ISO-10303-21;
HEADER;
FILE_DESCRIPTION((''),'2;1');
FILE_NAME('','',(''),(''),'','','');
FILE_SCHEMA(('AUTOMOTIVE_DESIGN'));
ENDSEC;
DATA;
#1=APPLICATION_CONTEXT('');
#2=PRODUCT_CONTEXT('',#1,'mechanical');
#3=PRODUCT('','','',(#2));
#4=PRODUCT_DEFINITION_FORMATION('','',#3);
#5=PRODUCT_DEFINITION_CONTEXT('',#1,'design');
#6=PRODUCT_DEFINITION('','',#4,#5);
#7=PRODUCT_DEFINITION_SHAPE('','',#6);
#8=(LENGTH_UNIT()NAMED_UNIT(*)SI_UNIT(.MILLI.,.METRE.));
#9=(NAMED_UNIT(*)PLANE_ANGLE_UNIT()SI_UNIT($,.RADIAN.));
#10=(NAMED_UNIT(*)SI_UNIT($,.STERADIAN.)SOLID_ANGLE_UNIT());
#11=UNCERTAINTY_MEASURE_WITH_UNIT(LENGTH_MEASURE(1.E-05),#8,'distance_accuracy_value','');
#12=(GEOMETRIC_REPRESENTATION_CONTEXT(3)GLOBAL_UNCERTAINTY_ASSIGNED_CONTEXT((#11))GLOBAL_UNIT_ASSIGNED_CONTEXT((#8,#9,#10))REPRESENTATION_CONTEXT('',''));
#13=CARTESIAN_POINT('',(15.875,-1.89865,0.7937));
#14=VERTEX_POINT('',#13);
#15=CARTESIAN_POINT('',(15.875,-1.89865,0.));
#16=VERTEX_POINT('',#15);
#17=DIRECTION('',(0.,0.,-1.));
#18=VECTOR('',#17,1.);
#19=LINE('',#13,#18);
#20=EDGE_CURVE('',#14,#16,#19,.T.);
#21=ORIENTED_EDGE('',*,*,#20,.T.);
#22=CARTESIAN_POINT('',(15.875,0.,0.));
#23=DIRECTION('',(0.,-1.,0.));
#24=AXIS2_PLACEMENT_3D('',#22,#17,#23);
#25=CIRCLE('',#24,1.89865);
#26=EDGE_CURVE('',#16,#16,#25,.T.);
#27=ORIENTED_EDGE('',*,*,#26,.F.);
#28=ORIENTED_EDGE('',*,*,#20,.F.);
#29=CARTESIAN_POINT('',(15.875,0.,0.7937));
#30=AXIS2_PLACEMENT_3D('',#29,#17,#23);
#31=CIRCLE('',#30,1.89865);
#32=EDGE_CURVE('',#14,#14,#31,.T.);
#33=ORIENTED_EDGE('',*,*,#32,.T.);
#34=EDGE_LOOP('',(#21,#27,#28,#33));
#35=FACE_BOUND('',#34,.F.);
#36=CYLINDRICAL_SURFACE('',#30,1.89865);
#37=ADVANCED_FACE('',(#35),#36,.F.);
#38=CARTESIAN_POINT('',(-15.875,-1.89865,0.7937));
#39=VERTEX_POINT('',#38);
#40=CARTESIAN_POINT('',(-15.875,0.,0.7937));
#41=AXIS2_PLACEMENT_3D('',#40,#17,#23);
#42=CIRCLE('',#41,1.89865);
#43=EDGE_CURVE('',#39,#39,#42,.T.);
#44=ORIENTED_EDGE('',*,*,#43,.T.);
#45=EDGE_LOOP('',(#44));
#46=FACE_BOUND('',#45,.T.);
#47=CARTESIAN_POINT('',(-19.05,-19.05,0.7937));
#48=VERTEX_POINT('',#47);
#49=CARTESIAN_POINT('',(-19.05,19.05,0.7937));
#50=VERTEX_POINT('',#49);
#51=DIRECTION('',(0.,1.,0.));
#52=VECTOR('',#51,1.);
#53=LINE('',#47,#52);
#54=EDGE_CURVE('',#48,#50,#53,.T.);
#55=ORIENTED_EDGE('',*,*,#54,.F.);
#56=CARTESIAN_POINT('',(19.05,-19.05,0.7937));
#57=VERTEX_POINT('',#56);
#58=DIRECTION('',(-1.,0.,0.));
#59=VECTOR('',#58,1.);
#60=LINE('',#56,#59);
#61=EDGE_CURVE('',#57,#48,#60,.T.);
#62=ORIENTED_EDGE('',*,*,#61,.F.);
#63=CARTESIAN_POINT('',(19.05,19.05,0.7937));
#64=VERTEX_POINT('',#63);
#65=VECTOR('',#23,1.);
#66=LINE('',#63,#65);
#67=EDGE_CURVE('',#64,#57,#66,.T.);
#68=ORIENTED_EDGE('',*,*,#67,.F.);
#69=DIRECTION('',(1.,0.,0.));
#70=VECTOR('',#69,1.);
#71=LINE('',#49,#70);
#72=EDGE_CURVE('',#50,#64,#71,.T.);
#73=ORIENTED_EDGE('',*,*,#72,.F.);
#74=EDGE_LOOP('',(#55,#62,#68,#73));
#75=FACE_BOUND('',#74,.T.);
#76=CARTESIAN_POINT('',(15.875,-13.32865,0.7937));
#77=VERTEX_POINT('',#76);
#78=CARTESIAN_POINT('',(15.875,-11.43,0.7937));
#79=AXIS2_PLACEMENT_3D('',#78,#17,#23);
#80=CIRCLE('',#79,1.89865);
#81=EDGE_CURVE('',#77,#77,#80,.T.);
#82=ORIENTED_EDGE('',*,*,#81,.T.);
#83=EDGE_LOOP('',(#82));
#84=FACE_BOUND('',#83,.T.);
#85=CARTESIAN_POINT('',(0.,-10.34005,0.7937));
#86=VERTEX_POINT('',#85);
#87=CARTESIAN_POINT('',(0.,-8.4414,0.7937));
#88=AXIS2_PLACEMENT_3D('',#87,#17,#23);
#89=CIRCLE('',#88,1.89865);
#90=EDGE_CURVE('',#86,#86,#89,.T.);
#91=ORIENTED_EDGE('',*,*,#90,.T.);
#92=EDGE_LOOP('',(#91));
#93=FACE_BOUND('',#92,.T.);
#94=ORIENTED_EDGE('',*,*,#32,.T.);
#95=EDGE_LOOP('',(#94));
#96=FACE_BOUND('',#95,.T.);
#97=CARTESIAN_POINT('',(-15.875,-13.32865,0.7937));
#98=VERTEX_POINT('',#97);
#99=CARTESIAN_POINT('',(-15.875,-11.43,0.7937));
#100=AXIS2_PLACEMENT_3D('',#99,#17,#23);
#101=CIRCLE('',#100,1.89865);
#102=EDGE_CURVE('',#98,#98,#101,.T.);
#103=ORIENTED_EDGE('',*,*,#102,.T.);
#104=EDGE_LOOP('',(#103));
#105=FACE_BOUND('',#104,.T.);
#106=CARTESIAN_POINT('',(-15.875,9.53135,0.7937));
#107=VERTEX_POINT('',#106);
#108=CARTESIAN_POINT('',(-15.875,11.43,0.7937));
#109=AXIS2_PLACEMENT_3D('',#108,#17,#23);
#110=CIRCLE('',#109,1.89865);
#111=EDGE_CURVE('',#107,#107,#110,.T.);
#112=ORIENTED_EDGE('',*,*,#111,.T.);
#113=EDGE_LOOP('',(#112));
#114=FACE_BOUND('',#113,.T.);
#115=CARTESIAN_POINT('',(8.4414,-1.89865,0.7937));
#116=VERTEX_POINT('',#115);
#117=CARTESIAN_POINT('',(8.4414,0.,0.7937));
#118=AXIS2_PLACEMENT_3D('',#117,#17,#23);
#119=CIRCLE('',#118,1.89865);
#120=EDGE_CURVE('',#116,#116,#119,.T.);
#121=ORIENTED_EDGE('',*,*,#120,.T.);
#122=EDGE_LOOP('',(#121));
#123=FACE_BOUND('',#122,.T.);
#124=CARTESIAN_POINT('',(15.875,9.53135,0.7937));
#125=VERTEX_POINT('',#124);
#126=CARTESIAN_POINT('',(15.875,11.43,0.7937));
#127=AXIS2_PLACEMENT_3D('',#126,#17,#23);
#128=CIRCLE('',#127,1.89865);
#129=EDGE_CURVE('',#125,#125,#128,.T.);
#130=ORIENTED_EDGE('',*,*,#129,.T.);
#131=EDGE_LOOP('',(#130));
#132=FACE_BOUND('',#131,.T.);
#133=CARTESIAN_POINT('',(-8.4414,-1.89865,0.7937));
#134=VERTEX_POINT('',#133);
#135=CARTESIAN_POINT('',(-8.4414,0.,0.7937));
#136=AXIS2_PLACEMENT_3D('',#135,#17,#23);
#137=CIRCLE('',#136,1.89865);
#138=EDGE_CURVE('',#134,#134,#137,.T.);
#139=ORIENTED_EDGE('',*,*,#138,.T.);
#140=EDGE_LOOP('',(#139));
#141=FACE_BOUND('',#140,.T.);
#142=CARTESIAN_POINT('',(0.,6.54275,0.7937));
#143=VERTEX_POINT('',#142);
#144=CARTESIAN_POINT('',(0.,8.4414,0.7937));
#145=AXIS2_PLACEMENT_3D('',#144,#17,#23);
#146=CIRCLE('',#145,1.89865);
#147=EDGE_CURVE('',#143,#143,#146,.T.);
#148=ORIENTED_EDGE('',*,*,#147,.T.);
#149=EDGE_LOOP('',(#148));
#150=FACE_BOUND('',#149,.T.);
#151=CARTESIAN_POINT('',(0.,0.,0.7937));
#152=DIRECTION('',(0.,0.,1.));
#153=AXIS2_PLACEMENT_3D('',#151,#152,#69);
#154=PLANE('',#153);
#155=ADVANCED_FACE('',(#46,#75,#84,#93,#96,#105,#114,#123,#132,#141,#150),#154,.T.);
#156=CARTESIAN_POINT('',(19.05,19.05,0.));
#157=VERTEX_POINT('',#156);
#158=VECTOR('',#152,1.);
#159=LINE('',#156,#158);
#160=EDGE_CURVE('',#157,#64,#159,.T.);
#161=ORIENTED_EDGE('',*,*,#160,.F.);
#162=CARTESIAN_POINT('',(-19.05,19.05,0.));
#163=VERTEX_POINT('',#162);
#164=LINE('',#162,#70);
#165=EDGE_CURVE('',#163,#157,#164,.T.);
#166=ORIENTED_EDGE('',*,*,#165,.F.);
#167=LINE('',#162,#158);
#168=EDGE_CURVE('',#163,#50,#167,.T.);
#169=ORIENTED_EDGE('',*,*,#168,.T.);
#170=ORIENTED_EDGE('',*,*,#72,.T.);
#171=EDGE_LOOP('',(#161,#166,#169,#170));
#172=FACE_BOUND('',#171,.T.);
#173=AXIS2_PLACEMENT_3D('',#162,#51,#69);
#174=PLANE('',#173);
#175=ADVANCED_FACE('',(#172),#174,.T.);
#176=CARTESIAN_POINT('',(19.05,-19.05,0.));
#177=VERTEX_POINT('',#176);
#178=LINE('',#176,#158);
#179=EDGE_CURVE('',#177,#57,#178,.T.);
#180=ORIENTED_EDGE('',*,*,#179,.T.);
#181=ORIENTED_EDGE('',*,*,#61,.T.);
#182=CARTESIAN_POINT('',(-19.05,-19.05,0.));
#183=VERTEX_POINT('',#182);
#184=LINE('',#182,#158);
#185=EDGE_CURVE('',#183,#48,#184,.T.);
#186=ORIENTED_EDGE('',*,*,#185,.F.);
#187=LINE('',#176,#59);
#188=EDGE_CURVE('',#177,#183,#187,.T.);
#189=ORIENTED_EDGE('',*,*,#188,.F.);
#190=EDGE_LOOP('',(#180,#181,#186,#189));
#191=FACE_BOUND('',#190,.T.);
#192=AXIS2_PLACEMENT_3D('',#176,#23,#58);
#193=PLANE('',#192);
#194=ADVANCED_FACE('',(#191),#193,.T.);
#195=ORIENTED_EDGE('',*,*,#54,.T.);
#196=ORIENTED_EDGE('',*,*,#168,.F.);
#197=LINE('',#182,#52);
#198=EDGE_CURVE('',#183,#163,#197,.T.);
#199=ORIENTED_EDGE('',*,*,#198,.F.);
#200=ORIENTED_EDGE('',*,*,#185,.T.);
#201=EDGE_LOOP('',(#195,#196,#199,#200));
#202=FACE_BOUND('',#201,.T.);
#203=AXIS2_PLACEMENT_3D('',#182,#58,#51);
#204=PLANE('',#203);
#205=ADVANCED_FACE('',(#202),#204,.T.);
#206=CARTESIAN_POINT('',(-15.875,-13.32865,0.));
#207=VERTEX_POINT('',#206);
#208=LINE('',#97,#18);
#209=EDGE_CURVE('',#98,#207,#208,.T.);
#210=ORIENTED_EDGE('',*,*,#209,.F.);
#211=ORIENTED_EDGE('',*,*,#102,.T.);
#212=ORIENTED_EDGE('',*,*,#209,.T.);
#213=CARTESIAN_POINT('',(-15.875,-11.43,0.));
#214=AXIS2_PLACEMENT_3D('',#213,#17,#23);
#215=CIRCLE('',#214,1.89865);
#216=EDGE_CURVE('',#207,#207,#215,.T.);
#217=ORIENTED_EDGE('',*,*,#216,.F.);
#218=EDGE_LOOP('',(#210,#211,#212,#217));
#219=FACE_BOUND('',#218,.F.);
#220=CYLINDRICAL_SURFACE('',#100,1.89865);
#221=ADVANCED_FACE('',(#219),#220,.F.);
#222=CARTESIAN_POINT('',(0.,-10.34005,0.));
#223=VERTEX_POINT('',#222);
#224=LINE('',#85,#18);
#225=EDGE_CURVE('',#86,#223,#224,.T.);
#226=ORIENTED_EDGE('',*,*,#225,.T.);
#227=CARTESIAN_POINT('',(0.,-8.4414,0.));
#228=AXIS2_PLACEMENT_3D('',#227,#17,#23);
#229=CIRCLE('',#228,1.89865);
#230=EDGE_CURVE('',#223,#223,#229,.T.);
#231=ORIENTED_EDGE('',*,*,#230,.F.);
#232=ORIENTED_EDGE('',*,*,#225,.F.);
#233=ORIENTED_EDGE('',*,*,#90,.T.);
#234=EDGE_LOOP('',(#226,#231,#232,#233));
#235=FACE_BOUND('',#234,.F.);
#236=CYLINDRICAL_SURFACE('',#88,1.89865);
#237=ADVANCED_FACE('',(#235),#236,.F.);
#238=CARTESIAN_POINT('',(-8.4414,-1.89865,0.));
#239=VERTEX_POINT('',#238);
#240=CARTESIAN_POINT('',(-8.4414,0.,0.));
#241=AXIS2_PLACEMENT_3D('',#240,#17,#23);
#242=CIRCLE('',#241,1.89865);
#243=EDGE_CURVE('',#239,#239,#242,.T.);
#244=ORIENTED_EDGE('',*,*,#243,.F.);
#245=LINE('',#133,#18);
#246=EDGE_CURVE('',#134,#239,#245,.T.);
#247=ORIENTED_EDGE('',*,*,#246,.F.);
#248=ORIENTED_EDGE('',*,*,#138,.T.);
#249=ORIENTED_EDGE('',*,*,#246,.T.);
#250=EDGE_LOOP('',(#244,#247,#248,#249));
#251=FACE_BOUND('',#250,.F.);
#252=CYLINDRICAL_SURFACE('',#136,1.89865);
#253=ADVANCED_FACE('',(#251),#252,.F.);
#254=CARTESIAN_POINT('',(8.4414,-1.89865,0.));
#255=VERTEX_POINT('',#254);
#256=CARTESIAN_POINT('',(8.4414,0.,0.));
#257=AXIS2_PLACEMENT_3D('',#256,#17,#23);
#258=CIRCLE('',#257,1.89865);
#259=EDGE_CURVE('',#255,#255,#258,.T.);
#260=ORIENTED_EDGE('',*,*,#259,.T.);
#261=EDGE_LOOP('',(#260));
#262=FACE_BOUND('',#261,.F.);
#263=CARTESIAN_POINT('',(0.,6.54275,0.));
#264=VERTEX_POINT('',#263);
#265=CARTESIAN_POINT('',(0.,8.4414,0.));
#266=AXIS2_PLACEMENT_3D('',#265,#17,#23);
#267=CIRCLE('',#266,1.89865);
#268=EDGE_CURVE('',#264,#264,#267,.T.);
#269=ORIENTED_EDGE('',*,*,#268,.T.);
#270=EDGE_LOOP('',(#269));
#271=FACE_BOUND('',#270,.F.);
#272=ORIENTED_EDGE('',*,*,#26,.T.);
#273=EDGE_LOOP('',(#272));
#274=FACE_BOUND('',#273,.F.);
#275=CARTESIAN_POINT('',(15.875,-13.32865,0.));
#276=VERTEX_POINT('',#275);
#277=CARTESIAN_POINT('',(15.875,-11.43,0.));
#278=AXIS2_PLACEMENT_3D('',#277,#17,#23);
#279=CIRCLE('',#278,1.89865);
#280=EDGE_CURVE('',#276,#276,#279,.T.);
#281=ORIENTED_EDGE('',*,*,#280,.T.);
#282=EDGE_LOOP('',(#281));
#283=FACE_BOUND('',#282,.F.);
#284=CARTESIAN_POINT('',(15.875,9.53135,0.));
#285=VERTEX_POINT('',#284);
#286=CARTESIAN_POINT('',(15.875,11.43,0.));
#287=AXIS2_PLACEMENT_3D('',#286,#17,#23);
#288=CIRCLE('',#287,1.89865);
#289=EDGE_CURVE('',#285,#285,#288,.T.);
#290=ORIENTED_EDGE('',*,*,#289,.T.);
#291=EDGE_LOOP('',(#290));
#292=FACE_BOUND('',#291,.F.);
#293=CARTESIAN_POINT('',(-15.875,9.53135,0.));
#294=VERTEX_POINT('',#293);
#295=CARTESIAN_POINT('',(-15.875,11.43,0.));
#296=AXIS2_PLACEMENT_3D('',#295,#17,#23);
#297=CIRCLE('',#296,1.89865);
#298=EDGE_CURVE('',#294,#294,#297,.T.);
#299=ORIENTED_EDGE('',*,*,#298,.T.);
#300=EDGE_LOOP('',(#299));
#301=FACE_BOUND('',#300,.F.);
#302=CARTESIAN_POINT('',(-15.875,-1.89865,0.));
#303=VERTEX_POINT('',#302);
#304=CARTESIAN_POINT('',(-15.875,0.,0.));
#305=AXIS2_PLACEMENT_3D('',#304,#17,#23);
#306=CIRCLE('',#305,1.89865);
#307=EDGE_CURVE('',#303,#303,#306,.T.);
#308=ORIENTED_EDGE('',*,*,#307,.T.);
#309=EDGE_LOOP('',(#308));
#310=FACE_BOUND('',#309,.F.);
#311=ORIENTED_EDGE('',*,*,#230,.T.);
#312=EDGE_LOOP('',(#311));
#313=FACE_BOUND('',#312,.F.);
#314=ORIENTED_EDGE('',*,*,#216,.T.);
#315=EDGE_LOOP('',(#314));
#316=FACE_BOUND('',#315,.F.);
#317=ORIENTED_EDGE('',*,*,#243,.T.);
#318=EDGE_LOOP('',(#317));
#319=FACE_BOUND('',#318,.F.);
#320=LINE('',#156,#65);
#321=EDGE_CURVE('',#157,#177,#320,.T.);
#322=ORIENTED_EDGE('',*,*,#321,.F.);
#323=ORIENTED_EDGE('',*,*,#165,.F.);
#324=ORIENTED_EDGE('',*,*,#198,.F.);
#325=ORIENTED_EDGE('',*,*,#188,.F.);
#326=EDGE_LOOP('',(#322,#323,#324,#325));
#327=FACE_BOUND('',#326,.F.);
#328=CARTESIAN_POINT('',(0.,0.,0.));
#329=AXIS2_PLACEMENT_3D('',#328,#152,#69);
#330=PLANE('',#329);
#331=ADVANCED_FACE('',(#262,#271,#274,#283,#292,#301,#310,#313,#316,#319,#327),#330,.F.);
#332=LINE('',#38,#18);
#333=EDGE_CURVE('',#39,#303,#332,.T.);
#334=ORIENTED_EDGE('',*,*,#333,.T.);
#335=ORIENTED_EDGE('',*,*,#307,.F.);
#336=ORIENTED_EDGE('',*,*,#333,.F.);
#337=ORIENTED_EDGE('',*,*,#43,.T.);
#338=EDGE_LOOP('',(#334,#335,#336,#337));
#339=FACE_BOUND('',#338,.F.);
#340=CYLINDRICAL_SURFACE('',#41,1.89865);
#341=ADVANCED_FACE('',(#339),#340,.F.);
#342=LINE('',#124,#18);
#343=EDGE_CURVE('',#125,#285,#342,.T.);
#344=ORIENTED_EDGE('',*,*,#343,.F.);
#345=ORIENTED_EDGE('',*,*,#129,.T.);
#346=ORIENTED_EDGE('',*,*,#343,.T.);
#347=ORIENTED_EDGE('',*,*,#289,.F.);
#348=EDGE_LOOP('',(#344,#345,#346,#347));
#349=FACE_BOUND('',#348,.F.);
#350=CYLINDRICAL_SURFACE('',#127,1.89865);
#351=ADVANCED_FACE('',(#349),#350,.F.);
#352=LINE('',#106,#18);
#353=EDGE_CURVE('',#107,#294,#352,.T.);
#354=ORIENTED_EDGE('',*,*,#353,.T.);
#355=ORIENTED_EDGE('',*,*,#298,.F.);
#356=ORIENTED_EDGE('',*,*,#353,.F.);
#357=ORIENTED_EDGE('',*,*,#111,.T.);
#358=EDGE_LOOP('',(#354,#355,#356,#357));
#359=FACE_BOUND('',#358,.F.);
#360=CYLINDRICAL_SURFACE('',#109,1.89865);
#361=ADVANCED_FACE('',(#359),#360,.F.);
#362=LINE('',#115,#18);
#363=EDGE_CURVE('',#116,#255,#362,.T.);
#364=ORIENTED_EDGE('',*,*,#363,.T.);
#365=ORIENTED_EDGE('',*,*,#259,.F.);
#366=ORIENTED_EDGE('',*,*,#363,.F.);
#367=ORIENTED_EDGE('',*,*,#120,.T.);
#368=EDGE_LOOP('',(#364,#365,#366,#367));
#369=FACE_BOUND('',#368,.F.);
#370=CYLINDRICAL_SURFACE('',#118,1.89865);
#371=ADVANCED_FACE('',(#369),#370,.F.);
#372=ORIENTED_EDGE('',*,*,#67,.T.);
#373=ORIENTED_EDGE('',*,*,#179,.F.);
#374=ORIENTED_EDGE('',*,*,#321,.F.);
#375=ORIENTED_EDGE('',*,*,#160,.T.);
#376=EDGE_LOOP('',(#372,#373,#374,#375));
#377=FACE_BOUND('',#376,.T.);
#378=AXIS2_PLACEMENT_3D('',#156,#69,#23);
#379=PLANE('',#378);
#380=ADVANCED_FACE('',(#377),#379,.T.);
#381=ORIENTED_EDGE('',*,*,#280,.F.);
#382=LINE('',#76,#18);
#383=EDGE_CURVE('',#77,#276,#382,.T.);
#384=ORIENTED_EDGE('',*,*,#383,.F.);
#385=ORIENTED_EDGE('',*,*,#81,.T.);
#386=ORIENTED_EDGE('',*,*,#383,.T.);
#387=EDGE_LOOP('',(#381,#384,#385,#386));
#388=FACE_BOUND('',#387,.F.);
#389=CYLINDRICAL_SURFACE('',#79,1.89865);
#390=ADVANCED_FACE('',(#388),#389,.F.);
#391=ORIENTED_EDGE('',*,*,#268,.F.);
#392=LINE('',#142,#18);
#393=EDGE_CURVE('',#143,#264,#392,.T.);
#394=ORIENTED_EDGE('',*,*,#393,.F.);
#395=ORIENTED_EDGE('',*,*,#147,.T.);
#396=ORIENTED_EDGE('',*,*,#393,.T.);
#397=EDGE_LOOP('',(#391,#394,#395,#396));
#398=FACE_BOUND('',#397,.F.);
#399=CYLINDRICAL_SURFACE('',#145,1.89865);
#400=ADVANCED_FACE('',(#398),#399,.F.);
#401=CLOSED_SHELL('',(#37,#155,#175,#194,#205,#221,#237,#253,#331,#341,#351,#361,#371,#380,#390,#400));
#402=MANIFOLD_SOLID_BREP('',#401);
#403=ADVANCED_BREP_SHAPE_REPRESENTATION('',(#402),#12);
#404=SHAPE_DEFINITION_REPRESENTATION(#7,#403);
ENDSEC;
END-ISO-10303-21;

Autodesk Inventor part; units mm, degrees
ref_plane "YZ Plane" through (0, 0, 0) normal (1, 0, 0) x (0, 1, 0)
ref_plane "XZ Plane" through (0, 0, 0) normal (0, 1, 0) x (-1, 0, 0)
ref_plane "XY Plane" through (0, 0, 0) normal (0, 0, 1) x (1, 0, 0)
sketch "adapter-hole-geometry" plane through (0, 0, 0) normal (0, 0, 1) x (1, 0, 0)
  line L0 (15.875, -11.43) -> (-15.875, -11.43) construction
  line L1 (-15.875, -11.43) -> (-15.875, 11.43) construction
  line L2 (-15.875, 11.43) -> (15.875, 11.43) construction
  line L3 (15.875, 11.43) -> (15.875, -11.43) construction
  line L4 (15.875, -11.43) -> (-15.875, 11.43) construction
  line L5 (-15.875, -11.43) -> (15.875, 11.43) construction
  line L6 (11.43, -15.875) -> (-11.43, -15.875) construction
  line L7 (-11.43, -15.875) -> (-11.43, 15.875) construction
  line L8 (-11.43, 15.875) -> (11.43, 15.875) construction
  line L9 (11.43, 15.875) -> (11.43, -15.875) construction
  line L10 (11.43, -15.875) -> (-11.43, 15.875) construction
  line L11 (-11.43, -15.875) -> (11.43, 15.875) construction
  line L12 (0, -8.4414) -> (8.4414, 0) construction
  line L13 (8.4414, 0) -> (0, 8.4414) construction
  line L14 (0, 8.4414) -> (-8.4414, 0) construction
  line L15 (-8.4414, 0) -> (0, -8.4414) construction
  line L16 (-5.969, -5.969) -> (5.969, 5.969) construction
  line L17 (5.969, -5.969) -> (-5.969, 5.969) construction
  line L18 (-8.4414, -8.4414) -> (8.4414, -8.4414) construction
  line L19 (8.4414, -8.4414) -> (8.4414, 8.4414) construction
  line L20 (8.4414, 8.4414) -> (-8.4414, 8.4414) construction
  line L21 (-8.4414, 8.4414) -> (-8.4414, -8.4414) construction
  line L22 (-8.4414, -8.4414) -> (8.4414, 8.4414) construction
  line L23 (8.4414, -8.4414) -> (-8.4414, 8.4414) construction
  point P0 (0, 0)
  point P1 (0, 8.4414)
  point P2 (8.4414, 0)
  dimension "d29" = 31.75
  dimension "d30" = 22.86
  dimension "d31" = 22.86
  dimension "d32" = 31.75
  dimension "d33" = 11.938
  dimension "d34" = 11.938
  dimension "d42" = 16.8829
  dimension "d43" = 16.8829
  dimension "d58" = 4.445
  dimension "d59" = 7.4336
  dimension "d60" = 5.969
  dimension "d61" = 5.969
  dimension "d62" = 4.445
  dimension "d63" = 7.4336
  dimension "d64" = 9.906
  dimension "d65" = 9.906
  dimension "d66" = 15.875
  dimension "d67" = 5.969
  dimension "d68" = 21.844
  dimension "d69" = 21.844
sketch "Sketch1" plane through (0, 0, 0) normal (0, 0, 1) x (1, 0, 0)
  line L0 (19.05, -19.05) -> (-19.05, -19.05)
  line L1 (-19.05, -19.05) -> (-19.05, 19.05)
  line L2 (-19.05, 19.05) -> (19.05, 19.05)
  line L3 (19.05, 19.05) -> (19.05, -19.05)
  line L4 (19.05, -19.05) -> (-19.05, 19.05) construction
  line L5 (-19.05, -19.05) -> (19.05, 19.05) construction
  point P0 (0, 0)
  dimension "d0" = 38.1
  dimension "d1" = 38.1
extrude "Extrusion1" add sketch "Sketch1" along normal blind 0.7937
sketch "Sketch4" plane through (0, 0, 0.7937) normal (0, 0, 1) x (1, 0, 0)
  line L0 (-19.05, -19.05) -> (19.05, -19.05) construction
  line L1 (19.05, -19.05) -> (19.05, 19.05) construction
  line L2 (19.05, 19.05) -> (-19.05, 19.05) construction
  line L3 (-19.05, 19.05) -> (-19.05, -19.05) construction
  point P0 (0, 0)
  point P1 (-15.875, 11.43)
  point P2 (-15.875, 0)
  point P3 (-15.875, -11.43)
  point P4 (15.875, -11.43)
  point P5 (15.875, 0)
  point P6 (15.875, 11.43)
  point P7 (0, 8.4414)
  point P8 (-8.4414, 0)
  point P9 (0, -8.4414)
  point P10 (8.4414, 0)
  dimension "d44" = 3.175
  dimension "d45" = 3.175
  dimension "d46" = 7.62
  dimension "d47" = 3.175
  dimension "d48" = 7.62
  dimension "d49" = 3.175
  dimension "d50" = 7.62
hole "Hole3" at (-15.875, 11.43, 0.7937) at (-15.875, 0, 0.7937) at (-15.875, -11.43, 0.7937) at (15.875, -11.43, 0.7937) at (15.875, 0, 0.7937) at (15.875, 11.43, 0.7937) at (0, 8.4414, 0.7937) at (-8.4414, 0, 0.7937) at (0, -8.4414, 0.7937) at (8.4414, 0, 0.7937) direction (0, 0, -1) diameter 3.7973 end through all
properties part number "goniometer_stage_shim_v01" material "Stainless Steel AISI 304"
